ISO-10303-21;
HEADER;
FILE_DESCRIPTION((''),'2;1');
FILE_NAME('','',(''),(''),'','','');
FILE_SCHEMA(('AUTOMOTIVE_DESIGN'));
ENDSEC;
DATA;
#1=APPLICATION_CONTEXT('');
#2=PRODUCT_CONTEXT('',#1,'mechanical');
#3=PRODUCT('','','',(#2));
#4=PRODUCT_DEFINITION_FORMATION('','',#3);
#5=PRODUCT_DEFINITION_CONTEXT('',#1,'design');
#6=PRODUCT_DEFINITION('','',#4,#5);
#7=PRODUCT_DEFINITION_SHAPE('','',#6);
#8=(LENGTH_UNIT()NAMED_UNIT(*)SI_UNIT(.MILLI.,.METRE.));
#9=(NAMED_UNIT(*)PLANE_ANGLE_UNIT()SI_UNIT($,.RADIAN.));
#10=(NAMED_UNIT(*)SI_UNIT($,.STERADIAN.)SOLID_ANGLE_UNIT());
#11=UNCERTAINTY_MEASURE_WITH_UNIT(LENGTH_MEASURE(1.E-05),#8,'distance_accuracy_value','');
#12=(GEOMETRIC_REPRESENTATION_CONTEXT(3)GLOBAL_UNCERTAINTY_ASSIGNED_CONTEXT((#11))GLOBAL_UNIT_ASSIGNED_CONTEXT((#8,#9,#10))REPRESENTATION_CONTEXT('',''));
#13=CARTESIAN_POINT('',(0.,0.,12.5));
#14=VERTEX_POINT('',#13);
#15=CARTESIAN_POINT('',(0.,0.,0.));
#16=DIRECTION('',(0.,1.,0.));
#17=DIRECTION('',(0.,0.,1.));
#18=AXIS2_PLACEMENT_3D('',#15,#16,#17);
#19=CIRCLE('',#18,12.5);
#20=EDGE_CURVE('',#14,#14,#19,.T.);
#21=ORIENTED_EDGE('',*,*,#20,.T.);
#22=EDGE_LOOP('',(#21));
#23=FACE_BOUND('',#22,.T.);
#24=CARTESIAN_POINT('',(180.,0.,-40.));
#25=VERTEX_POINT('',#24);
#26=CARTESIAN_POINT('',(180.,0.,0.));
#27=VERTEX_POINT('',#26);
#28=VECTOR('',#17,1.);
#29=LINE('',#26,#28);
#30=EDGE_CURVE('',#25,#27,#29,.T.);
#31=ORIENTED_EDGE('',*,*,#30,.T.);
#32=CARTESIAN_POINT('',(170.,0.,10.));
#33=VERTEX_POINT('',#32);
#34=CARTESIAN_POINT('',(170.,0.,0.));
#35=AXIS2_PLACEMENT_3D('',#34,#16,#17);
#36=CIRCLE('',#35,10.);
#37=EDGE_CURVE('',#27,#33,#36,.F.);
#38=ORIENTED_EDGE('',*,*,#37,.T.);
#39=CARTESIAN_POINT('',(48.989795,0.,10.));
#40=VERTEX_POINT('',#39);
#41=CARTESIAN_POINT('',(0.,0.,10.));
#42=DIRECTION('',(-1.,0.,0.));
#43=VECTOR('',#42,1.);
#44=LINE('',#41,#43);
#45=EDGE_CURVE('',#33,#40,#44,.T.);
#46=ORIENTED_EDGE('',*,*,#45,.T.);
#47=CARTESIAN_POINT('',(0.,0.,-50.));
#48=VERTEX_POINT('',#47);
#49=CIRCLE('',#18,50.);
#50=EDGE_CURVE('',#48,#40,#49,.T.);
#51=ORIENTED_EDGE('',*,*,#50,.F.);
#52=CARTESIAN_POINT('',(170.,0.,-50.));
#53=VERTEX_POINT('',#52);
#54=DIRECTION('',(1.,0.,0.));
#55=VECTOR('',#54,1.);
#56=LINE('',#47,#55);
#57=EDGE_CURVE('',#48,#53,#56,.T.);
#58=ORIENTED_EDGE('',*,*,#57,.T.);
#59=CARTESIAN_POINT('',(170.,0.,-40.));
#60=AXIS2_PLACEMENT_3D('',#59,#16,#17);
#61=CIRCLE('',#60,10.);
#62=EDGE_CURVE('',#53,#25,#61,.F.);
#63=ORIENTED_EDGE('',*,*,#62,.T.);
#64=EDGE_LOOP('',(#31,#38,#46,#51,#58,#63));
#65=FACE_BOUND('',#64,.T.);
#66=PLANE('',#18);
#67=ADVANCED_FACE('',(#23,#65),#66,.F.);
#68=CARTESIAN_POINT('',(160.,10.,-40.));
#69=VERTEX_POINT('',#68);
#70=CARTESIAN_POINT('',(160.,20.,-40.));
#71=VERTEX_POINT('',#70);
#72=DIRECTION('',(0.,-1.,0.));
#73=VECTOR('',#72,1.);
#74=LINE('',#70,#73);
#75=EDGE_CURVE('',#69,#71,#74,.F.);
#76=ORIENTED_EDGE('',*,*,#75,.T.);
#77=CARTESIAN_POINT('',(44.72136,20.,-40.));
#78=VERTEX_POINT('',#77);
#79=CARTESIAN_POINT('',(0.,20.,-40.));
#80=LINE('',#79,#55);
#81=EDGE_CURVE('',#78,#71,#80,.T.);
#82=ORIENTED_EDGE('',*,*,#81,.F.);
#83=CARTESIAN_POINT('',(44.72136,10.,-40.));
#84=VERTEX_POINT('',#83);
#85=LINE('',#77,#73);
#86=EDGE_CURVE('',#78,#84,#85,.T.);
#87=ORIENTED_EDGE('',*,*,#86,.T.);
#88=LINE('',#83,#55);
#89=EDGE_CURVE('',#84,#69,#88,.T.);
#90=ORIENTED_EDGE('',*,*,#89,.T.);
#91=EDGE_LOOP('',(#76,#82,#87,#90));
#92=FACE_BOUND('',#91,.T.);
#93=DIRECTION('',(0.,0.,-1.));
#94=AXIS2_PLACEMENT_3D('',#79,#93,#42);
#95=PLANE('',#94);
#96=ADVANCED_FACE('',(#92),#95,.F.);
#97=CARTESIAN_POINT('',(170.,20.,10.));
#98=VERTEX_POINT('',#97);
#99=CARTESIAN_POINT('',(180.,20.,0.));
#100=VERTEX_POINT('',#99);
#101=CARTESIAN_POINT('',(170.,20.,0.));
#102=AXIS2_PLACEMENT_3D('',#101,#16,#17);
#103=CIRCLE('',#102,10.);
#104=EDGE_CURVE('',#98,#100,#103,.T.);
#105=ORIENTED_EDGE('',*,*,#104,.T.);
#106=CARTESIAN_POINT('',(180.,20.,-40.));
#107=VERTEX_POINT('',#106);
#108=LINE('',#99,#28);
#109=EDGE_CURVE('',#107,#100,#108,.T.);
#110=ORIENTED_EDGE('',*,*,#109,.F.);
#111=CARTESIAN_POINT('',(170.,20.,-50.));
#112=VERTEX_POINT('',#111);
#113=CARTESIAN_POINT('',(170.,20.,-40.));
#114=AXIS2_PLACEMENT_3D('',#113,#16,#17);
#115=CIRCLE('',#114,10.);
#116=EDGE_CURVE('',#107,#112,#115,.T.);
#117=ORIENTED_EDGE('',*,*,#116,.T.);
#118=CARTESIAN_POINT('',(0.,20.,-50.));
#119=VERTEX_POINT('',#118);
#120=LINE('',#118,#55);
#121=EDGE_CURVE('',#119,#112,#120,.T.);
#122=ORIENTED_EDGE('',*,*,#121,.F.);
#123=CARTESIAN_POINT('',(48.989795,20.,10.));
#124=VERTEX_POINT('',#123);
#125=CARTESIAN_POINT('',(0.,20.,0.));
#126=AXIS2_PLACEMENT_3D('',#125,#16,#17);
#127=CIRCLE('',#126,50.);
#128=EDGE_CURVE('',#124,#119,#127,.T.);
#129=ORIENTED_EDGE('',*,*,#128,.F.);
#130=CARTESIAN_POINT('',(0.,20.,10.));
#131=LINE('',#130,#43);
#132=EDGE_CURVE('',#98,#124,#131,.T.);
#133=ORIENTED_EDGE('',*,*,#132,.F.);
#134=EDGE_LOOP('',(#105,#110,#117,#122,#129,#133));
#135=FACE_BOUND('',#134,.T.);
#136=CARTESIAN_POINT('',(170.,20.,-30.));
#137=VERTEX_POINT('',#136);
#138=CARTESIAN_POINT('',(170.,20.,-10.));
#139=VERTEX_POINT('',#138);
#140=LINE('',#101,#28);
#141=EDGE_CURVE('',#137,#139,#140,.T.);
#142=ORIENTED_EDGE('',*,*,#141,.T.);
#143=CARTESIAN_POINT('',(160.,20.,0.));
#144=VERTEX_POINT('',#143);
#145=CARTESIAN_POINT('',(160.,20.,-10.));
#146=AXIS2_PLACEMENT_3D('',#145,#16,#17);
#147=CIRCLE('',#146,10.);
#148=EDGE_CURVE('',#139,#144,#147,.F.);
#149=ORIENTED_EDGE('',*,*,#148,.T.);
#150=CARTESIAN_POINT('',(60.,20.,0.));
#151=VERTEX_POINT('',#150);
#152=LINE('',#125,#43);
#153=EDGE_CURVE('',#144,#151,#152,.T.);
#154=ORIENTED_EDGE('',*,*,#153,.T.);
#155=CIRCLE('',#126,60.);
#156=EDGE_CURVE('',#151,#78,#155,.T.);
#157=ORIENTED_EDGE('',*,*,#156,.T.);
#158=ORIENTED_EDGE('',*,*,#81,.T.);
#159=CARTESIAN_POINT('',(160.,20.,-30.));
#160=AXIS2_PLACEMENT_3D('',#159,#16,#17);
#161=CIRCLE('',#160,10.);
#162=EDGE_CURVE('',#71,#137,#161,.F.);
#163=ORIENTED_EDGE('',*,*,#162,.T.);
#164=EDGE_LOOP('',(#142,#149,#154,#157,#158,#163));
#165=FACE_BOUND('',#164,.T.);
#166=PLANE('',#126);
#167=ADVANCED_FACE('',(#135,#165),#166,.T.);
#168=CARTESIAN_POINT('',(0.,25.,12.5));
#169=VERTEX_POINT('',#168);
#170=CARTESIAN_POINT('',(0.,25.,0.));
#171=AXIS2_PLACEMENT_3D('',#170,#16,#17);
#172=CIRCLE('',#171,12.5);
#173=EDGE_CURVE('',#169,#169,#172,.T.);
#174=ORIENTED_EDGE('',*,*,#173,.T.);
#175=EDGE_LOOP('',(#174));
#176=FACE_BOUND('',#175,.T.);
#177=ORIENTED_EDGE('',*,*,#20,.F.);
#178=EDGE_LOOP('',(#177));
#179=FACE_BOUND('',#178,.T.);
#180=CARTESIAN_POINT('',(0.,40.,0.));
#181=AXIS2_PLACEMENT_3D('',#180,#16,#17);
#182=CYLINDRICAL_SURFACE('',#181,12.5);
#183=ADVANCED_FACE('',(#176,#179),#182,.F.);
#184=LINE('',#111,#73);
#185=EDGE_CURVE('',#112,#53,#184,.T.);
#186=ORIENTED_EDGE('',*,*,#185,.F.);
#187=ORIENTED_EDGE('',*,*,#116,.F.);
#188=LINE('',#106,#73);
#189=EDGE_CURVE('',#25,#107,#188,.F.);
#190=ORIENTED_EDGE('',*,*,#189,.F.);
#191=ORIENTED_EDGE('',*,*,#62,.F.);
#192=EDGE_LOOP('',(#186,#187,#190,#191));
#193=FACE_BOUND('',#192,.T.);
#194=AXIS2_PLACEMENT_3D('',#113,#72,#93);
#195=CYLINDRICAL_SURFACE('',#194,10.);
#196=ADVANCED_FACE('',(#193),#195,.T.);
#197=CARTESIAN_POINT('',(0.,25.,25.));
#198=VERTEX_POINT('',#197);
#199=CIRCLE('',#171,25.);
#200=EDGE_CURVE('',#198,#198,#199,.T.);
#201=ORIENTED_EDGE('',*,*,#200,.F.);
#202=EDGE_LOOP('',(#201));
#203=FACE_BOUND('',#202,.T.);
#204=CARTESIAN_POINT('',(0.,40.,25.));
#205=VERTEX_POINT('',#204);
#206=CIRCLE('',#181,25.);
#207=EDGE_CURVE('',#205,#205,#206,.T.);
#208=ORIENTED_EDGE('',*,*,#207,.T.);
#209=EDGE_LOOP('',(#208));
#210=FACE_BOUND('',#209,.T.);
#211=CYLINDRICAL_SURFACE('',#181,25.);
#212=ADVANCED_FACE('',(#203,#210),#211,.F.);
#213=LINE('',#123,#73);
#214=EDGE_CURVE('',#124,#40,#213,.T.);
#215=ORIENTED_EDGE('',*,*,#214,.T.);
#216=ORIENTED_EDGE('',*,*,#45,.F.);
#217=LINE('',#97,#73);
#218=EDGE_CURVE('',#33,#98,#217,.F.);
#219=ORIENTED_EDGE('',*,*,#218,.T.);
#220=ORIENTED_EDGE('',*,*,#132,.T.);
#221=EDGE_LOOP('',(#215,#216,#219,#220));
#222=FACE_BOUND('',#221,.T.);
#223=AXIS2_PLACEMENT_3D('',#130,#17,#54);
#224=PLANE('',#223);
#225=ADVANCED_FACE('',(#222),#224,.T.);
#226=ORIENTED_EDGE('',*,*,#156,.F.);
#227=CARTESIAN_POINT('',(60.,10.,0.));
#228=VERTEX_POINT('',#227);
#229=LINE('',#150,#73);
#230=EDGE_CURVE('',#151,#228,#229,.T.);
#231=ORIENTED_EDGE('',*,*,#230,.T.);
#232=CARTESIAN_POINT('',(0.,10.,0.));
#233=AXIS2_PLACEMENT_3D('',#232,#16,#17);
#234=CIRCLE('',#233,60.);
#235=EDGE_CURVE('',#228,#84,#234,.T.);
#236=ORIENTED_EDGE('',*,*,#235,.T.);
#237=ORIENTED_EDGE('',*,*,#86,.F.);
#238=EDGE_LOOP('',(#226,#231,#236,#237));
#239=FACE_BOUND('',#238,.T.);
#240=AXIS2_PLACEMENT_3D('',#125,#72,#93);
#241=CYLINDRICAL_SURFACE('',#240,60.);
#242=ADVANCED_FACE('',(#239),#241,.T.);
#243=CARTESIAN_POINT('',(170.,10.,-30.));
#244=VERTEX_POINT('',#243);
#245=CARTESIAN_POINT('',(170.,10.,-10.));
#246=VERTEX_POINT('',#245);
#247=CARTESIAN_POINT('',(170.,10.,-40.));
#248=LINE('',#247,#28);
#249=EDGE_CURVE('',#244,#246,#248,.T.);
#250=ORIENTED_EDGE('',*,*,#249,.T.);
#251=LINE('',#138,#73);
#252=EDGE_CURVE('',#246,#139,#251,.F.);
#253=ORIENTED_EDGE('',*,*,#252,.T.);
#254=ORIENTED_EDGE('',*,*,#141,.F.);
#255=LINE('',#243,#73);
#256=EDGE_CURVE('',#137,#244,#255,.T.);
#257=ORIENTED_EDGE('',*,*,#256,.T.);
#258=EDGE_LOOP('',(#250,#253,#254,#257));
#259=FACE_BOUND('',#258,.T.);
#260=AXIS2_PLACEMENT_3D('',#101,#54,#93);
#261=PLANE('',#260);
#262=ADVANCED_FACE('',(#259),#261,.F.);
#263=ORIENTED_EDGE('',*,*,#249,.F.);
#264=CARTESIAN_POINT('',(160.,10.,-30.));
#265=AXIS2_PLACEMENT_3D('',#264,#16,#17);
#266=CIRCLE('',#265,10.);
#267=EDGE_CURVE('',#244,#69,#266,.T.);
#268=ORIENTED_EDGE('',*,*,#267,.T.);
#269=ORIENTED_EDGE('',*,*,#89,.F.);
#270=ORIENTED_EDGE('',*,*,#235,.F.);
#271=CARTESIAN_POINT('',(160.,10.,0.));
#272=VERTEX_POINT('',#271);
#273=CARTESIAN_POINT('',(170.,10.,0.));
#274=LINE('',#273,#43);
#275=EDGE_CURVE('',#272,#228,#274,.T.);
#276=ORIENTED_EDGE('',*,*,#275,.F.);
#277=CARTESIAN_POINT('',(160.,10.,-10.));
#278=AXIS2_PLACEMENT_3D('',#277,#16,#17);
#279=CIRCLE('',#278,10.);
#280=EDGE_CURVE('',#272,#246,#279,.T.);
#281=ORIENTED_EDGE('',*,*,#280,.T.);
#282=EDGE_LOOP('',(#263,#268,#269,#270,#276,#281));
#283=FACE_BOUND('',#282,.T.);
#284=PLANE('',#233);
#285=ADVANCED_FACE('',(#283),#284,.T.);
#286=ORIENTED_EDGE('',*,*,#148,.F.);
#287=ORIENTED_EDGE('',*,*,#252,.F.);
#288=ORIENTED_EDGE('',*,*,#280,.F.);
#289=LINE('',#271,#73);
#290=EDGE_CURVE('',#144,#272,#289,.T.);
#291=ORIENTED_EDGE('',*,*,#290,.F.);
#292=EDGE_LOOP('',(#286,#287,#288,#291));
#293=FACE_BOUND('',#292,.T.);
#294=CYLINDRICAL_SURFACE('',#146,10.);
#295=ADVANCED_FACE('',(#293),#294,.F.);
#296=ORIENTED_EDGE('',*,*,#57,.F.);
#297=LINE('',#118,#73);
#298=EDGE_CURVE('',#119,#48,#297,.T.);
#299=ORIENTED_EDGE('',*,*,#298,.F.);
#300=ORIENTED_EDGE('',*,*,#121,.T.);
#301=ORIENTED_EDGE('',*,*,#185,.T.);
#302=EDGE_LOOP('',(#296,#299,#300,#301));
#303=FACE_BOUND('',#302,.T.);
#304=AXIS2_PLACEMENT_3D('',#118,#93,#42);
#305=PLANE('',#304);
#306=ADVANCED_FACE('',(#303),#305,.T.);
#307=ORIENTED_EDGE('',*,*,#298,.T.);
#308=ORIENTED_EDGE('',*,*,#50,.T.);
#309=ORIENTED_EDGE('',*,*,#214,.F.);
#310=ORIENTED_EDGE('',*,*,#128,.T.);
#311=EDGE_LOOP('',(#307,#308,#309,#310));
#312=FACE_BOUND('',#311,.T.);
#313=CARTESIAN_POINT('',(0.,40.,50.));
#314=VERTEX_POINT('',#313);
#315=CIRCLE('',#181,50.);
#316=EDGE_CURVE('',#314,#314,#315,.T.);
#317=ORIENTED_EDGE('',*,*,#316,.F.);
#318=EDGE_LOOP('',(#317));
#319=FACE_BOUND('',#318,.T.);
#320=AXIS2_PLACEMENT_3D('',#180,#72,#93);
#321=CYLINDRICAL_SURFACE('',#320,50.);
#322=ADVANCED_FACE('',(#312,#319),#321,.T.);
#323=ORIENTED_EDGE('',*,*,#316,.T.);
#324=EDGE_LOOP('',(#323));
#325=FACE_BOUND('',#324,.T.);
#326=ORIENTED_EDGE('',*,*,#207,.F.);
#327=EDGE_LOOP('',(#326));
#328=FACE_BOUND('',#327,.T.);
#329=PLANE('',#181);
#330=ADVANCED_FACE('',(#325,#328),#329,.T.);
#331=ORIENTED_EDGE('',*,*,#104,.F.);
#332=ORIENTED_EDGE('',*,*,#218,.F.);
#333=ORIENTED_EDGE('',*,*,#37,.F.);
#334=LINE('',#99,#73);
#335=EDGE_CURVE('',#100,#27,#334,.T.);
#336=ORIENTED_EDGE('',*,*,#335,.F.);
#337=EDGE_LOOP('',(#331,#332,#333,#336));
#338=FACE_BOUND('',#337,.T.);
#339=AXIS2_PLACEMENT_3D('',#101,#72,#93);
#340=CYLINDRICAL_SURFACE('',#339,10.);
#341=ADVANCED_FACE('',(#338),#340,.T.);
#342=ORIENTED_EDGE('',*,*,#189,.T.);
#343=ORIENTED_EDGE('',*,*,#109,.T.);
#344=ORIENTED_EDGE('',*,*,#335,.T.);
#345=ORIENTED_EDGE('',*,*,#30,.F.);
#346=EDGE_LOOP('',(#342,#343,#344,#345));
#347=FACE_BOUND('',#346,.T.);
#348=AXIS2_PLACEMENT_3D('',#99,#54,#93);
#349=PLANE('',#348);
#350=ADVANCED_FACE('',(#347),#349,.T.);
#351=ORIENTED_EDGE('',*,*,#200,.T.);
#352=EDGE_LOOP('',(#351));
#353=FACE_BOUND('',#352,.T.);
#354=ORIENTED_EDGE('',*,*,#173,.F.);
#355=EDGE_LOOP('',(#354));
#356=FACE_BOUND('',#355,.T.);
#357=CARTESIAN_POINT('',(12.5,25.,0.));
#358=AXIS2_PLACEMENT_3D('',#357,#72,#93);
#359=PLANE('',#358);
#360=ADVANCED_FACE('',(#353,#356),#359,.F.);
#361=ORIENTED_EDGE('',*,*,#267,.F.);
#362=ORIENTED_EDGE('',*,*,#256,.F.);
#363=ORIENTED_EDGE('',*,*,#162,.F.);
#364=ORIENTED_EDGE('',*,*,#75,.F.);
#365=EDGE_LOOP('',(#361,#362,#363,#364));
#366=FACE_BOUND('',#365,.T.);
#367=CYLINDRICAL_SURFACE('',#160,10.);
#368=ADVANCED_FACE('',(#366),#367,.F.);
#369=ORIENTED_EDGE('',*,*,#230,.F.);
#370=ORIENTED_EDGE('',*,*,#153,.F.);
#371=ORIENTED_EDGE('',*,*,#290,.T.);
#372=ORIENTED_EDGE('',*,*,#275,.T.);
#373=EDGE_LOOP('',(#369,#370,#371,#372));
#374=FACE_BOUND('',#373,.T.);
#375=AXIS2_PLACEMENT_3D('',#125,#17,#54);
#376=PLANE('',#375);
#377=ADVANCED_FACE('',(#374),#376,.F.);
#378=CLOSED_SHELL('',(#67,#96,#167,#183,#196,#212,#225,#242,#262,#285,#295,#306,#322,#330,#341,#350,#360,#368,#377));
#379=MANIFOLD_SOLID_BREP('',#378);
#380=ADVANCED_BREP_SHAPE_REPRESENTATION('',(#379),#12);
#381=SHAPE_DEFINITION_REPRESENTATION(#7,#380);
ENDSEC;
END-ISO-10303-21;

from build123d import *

# Parameters (mm, degrees)
EXTRUDE_1_DEPTH                = 20
EXTRUDE_2_DEPTH                = 40
EXTRUDE_3_DEPTH                = 10
FILLET_1_R                     = 10
HOLE_WIZARD_M1_6_1_D           = 25
HOLE_WIZARD_M1_6_1_CBORE_D     = 50
HOLE_WIZARD_M1_6_1_CBORE_DEPTH = 15


with BuildPart() as part:
    # 스케치2 → 보스-돌출1 (new body)
    with BuildSketch(Plane(origin=(0, 0, 0), x_dir=(1, 0, 0), z_dir=(0, 1, 0))):
        with BuildLine():
            Line((180, 50), (0, 50))
            ThreePointArc((0, 50), (35.355339059, 35.355339059), (50, 0))
            ThreePointArc((50, 0), (49.74680765, -5.0254481), (48.989794856, -10))
            Line((48.989794856, -10), (180, -10))
            Line((180, -10), (180, 50))
        make_face()
        with BuildLine():
            ThreePointArc((60, 0), (56.050341538, 21.409325386), (44.72135955, 40))
            Line((44.72135955, 40), (170, 40))
            Line((170, 40), (170, 0))
            Line((170, 0), (60, 0))
        make_face(mode=Mode.SUBTRACT)
    extrude(amount=EXTRUDE_1_DEPTH)

    # 스케치2<4> → 보스-돌출2 (add)
    with BuildSketch(Plane(origin=(0, 0, 0), x_dir=(1, 0, 0), z_dir=(0, 1, 0))):
        with BuildLine():
            ThreePointArc((50, 0), (35.355339059, 35.355339059), (0, 50))
            ThreePointArc((0, 50), (-38.729833462, -31.622776602), (48.989794856, -10))
            ThreePointArc((48.989794856, -10), (49.74680765, -5.0254481), (50, 0))
        make_face()
    extrude(amount=EXTRUDE_2_DEPTH)

    # 스케치2<5> → 보스-돌출3 (add)
    with BuildSketch(Plane(origin=(0, 0, 0), x_dir=(1, 0, 0), z_dir=(0, 1, 0))):
        with BuildLine():
            Line((44.72135955, 40), (170, 40))
            Line((170, 40), (170, 0))
            Line((170, 0), (60, 0))
            ThreePointArc((60, 0), (56.050341538, 21.409325386), (44.72135955, 40))
        make_face()
    extrude(amount=EXTRUDE_3_DEPTH)

    # 필렛1
    fillet_1_edges = [part.edges().sort_by_distance(p)[0] for p in [
        (180, 10, -50),
        (170, 15, -40),
        (170, 15, 0),
        (180, 10, 10),
    ]]
    fillet(fillet_1_edges, radius=FILLET_1_R)

    # M1.6 남비 머리 나사용 카운터보어1 (through all)
    with Locations(Plane(origin=(0, 40, 0), x_dir=(1, 0, 0), z_dir=(0, 1, 0))):
        with Locations((0, 0)):
            CounterBoreHole(HOLE_WIZARD_M1_6_1_D / 2, HOLE_WIZARD_M1_6_1_CBORE_D / 2, HOLE_WIZARD_M1_6_1_CBORE_DEPTH)


solid = part.part
